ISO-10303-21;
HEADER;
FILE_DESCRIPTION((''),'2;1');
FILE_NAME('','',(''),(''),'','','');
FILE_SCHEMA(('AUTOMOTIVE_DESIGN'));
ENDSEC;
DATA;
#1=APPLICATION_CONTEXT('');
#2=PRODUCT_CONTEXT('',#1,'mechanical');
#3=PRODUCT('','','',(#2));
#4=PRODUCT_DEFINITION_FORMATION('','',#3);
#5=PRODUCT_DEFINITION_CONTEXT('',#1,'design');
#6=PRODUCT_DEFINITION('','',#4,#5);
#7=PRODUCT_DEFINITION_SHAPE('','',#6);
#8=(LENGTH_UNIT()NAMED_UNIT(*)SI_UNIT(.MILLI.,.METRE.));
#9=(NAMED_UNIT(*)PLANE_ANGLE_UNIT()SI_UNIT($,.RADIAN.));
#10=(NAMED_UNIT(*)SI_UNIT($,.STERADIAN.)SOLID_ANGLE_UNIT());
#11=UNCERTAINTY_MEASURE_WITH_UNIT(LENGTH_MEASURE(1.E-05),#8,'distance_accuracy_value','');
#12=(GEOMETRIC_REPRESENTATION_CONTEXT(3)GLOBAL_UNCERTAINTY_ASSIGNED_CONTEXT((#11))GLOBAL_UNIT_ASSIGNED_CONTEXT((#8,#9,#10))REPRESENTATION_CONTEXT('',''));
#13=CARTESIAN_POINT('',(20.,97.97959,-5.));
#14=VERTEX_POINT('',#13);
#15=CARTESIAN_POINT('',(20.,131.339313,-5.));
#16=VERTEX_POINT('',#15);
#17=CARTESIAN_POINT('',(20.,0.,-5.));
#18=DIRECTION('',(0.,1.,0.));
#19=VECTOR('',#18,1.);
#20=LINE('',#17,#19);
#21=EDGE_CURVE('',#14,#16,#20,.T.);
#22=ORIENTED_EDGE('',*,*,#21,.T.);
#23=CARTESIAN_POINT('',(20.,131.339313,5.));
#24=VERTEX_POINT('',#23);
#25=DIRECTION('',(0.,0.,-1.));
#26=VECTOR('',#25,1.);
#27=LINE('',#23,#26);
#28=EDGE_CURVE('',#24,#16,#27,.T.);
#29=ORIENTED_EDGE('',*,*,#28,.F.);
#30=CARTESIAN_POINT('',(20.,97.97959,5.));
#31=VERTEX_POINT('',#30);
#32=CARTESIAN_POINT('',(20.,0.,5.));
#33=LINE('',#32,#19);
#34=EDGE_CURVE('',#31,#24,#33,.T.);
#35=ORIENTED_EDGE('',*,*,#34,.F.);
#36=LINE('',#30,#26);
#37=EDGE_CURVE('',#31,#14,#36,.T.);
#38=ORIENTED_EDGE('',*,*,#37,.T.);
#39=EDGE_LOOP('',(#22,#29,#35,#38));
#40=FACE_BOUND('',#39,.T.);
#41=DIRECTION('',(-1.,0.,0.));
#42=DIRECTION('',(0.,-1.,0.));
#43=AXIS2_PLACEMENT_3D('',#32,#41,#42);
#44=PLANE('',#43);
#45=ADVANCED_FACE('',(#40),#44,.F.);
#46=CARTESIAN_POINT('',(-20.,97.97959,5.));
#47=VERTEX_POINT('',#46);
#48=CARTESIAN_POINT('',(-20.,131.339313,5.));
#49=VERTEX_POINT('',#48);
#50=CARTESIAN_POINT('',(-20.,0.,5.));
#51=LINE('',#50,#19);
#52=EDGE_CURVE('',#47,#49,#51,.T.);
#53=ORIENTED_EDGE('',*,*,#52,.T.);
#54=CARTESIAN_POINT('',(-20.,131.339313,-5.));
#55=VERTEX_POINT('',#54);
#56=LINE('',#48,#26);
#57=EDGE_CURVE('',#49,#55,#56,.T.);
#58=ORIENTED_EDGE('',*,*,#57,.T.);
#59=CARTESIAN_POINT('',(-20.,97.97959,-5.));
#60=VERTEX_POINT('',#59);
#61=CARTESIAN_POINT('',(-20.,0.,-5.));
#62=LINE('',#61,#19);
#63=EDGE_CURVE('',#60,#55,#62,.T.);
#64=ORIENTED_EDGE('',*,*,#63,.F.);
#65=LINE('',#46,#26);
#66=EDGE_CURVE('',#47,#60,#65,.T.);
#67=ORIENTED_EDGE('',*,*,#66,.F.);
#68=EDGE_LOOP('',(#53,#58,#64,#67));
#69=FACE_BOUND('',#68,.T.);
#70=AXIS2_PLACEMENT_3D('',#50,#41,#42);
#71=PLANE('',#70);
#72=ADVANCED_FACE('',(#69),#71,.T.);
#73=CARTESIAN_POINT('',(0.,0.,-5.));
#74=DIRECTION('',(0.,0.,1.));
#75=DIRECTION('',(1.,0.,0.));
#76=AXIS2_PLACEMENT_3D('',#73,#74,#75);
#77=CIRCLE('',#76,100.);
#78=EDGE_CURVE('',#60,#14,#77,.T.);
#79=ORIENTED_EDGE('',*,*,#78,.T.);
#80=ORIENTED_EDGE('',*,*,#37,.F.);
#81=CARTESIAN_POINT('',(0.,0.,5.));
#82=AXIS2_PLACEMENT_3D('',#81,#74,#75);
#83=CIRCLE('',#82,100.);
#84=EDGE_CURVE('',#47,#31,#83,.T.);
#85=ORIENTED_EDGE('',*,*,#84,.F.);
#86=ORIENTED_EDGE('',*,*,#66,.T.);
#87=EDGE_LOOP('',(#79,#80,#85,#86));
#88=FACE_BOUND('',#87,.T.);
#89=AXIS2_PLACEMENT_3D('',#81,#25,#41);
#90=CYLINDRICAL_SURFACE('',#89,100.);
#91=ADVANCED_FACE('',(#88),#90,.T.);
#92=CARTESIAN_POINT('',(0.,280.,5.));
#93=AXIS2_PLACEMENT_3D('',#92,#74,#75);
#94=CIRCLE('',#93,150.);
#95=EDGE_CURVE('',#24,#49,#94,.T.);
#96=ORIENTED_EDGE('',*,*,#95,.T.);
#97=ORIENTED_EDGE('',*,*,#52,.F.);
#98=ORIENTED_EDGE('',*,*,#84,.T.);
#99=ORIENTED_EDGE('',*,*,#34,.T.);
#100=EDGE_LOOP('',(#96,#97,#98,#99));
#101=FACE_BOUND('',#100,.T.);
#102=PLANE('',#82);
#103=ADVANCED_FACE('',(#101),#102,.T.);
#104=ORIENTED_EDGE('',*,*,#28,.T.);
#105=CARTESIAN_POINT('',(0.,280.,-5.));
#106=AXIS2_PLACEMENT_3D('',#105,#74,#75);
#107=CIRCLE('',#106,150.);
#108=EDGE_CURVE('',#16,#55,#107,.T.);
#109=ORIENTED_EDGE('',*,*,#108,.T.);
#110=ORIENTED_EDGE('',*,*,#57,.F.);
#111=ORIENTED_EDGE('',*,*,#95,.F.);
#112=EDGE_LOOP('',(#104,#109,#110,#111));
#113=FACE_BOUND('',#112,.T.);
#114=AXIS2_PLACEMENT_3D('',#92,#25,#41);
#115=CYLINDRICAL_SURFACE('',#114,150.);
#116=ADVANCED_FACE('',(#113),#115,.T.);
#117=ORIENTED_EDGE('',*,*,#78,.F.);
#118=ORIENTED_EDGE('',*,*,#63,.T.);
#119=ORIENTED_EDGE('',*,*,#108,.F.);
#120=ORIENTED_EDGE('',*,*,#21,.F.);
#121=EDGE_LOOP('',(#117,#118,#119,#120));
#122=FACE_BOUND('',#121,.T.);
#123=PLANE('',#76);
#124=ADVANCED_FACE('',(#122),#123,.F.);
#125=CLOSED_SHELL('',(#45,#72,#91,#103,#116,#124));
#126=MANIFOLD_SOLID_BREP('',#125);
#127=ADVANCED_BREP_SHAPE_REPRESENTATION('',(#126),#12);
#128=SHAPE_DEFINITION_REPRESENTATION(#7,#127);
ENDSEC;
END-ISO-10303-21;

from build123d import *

# Parameters (mm, degrees)
SKETCH1_R           = 150
SKETCH1_R_2         = 100
BOSS_EXTRUDE1_DEPTH = 5


with BuildPart() as part:
    # Sketch1 → Boss-Extrude1 (new, symmetric)
    with BuildSketch(Plane.XY):
        with Locations((0, 280)):
            Circle(SKETCH1_R)
        Circle(SKETCH1_R_2)
        with BuildLine():
            Line((-20, 0), (-20, 280))
            ThreePointArc((-20, 280), (0, 300), (20, 280))
            Line((20, 280), (20, 0))
            ThreePointArc((20, 0), (0, -20), (-20, 0))
        make_face()
    extrude(amount=BOSS_EXTRUDE1_DEPTH, both=True)


solid = part.part
